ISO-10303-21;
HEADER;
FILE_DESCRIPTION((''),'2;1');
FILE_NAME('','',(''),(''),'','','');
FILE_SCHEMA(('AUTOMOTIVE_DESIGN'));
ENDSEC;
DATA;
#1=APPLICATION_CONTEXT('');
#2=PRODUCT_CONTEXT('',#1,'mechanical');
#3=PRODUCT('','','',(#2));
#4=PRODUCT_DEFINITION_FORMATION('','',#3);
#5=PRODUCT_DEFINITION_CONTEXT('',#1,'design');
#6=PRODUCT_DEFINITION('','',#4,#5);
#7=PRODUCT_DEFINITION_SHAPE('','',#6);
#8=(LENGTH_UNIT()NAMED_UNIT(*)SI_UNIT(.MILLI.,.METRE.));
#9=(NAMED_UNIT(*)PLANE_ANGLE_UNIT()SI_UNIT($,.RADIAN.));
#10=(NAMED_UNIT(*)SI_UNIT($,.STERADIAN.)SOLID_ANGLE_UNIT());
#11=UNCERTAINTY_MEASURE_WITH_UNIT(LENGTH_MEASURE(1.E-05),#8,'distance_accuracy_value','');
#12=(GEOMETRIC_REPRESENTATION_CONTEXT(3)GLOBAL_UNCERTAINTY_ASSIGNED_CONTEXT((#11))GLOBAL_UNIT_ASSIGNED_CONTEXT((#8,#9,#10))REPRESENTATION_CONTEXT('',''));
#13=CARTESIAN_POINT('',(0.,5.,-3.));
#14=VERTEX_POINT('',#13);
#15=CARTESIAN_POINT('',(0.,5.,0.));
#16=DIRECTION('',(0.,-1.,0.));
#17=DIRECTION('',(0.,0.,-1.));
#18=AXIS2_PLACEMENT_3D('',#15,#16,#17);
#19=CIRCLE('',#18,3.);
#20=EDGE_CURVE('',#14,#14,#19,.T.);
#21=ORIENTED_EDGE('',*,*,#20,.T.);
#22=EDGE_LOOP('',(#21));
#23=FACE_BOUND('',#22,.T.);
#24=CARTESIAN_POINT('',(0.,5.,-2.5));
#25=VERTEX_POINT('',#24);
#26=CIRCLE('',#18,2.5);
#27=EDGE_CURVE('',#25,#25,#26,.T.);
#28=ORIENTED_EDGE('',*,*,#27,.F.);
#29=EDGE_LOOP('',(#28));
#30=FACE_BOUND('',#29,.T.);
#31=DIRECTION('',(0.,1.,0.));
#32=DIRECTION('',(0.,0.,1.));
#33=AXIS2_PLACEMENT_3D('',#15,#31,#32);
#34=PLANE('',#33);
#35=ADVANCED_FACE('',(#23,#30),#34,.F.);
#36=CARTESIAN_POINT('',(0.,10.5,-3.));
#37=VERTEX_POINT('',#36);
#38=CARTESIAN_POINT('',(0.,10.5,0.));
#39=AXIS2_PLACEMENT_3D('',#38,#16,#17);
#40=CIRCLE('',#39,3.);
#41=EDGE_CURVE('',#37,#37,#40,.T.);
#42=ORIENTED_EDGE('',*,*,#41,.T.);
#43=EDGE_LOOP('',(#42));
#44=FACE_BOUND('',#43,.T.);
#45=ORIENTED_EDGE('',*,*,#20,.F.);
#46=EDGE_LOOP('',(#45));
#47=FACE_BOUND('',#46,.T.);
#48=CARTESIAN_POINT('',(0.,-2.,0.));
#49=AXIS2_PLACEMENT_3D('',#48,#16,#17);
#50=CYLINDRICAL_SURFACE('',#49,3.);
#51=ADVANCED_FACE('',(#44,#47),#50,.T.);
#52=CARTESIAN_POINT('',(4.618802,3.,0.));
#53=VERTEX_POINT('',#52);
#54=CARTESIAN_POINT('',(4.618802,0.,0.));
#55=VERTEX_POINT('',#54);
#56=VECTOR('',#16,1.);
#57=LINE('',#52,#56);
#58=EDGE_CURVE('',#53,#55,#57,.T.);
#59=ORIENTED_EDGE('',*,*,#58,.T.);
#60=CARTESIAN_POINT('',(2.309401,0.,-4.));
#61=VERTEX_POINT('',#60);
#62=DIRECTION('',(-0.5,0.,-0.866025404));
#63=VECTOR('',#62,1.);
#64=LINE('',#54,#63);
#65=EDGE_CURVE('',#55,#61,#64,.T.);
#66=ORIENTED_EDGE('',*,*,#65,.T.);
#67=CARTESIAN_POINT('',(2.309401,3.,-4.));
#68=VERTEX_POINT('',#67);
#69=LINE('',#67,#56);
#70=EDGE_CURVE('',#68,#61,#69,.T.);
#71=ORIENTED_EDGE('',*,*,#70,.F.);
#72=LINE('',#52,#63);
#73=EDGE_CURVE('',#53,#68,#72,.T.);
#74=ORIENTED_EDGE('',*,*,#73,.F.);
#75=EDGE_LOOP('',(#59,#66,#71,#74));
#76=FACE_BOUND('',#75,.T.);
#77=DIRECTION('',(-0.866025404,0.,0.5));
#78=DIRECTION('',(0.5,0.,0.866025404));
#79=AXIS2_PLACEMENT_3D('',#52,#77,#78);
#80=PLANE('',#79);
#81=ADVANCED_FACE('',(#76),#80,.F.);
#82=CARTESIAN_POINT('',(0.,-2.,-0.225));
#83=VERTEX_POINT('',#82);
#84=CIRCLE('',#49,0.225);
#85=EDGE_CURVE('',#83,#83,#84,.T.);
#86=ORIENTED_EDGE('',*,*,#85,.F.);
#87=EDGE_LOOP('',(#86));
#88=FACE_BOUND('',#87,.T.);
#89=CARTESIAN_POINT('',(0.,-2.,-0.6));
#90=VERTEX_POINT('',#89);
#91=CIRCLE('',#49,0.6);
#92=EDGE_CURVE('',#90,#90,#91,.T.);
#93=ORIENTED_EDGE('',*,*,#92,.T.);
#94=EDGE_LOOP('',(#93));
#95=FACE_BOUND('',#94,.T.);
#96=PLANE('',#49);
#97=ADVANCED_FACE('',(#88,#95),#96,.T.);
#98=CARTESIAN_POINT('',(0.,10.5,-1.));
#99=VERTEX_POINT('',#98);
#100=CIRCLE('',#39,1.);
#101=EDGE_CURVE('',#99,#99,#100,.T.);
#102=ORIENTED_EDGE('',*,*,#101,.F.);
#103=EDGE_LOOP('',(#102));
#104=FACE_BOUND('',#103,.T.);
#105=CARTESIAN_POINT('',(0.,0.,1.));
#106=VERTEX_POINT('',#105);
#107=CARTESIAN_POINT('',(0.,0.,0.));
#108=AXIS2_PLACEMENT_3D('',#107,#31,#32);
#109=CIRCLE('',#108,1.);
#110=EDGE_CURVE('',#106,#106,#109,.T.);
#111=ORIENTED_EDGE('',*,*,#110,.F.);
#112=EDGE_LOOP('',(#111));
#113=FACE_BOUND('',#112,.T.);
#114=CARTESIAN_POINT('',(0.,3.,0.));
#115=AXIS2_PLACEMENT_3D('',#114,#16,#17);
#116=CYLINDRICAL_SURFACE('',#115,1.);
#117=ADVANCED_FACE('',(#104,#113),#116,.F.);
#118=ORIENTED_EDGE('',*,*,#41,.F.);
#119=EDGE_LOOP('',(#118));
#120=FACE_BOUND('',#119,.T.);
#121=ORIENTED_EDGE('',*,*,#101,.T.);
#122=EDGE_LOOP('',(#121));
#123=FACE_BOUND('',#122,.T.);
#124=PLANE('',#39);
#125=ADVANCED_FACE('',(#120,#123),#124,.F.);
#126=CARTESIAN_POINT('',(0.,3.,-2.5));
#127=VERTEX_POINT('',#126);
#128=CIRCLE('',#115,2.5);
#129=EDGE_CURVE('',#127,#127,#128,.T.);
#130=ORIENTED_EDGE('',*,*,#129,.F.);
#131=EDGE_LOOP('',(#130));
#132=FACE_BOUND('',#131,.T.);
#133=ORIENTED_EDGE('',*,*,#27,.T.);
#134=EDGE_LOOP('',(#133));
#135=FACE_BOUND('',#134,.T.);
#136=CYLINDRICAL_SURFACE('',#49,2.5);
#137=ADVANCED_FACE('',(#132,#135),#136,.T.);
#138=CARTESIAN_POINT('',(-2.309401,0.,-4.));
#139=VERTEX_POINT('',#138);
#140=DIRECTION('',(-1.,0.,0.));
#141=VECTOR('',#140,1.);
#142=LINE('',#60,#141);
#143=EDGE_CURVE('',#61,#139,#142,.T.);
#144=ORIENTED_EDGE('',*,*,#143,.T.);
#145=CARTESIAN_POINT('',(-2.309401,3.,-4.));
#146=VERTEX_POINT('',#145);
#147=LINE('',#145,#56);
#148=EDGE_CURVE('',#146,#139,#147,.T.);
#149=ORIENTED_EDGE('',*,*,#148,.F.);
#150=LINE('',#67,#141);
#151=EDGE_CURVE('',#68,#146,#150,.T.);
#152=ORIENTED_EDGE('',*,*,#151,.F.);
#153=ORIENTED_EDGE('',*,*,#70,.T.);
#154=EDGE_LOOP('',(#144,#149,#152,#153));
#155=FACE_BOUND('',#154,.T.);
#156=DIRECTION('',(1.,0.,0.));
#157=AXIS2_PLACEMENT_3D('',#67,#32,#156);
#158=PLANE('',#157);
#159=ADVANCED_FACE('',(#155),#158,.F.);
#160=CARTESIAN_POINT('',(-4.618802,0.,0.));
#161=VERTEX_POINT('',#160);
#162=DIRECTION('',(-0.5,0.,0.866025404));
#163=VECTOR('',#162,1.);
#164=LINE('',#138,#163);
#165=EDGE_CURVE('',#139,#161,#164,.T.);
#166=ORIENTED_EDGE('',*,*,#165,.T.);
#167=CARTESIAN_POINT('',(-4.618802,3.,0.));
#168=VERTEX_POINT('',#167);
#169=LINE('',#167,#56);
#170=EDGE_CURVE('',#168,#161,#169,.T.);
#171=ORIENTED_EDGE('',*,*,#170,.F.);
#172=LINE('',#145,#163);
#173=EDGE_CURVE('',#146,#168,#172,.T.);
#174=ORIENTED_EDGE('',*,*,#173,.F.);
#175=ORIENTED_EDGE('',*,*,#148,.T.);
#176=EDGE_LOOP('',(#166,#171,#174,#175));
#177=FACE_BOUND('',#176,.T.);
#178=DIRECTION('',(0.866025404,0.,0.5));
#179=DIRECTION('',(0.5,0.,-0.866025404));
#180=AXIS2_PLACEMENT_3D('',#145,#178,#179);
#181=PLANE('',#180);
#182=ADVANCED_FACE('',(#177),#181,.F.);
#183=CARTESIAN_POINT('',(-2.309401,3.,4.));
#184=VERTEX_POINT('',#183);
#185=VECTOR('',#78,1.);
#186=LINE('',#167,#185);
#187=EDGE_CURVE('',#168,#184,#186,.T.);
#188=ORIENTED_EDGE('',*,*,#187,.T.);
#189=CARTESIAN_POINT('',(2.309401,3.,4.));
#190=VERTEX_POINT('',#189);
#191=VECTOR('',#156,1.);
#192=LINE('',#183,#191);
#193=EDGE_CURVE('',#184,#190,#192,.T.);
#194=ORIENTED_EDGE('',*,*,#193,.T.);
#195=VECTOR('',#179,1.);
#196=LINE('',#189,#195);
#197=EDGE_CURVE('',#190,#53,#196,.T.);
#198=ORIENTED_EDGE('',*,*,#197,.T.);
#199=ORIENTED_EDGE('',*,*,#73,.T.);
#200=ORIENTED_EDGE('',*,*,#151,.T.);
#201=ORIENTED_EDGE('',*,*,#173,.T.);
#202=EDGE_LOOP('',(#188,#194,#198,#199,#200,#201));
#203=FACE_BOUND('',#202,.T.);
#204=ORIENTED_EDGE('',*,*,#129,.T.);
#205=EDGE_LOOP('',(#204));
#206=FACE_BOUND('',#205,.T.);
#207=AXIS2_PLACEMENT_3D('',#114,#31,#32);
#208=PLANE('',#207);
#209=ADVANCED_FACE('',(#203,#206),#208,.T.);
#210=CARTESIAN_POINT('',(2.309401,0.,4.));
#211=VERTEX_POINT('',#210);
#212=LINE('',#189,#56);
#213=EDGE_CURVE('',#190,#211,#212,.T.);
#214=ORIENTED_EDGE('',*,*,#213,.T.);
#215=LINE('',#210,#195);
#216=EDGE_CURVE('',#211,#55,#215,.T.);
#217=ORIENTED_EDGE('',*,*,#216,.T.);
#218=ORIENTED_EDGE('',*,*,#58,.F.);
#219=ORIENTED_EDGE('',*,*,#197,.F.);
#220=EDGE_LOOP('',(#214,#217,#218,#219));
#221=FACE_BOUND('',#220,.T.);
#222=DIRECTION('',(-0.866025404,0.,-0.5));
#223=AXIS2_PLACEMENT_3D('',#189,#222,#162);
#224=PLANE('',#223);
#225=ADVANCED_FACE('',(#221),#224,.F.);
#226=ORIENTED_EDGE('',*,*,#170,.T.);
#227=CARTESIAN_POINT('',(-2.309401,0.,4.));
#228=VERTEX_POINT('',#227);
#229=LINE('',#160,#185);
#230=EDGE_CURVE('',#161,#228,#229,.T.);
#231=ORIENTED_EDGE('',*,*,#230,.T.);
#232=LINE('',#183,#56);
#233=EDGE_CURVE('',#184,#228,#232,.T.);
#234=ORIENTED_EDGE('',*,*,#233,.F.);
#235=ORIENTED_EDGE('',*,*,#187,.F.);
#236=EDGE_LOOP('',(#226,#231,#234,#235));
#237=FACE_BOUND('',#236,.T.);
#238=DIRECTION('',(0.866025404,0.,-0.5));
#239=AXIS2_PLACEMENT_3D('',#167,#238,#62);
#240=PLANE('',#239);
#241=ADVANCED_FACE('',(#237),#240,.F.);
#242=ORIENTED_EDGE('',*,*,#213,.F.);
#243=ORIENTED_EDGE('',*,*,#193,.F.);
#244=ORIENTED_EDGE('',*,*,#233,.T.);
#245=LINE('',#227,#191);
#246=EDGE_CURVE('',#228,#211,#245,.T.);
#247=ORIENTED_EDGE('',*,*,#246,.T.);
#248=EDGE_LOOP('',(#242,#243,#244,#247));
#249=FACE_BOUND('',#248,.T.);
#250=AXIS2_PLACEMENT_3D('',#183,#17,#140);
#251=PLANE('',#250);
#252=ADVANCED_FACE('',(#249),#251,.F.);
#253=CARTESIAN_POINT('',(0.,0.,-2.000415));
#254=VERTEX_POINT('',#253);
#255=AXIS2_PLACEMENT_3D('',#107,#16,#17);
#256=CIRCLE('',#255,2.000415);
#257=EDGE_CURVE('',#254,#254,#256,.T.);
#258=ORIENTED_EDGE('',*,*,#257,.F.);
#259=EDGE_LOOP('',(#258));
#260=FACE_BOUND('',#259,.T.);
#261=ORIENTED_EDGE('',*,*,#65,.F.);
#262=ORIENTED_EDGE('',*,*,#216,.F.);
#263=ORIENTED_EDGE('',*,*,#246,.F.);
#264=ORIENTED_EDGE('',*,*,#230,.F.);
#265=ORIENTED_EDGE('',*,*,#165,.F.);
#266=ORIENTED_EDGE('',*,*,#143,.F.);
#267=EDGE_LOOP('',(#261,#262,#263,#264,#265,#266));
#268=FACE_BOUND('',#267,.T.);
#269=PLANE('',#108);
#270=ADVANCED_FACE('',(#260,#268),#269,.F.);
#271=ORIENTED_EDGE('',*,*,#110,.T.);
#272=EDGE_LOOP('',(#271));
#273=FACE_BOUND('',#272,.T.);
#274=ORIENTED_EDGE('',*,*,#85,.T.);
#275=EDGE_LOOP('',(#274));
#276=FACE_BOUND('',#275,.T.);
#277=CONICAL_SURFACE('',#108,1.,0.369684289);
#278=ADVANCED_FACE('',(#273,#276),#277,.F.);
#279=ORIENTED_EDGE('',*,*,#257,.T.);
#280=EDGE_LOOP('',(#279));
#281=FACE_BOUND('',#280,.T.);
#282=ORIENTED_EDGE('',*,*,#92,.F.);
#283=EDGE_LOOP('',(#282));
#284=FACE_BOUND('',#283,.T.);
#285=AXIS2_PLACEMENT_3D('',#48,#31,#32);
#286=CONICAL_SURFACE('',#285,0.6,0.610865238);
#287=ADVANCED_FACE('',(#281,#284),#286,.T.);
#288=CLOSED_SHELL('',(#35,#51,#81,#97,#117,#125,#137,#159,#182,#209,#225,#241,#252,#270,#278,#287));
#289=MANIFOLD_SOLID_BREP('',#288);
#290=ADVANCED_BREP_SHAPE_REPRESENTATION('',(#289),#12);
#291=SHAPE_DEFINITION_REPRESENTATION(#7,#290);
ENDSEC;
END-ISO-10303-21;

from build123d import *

# Parameters (mm, degrees)
SKETCH1_R           = 1
BOSS_EXTRUDE1_DEPTH = 3


with BuildPart() as part:
    # Sketch1 → Boss-Extrude1 (new body)
    with BuildSketch(Plane(origin=(0, 0, 0), x_dir=(1, 0, 0), z_dir=(0, 1, 0))):
        Polygon((2.309401077, 4), (-2.309401077, 4), (-4.618802154, 0), (-2.309401077, -4), (2.309401077, -4), (4.618802154, 0), align=None)
        Circle(SKETCH1_R, mode=Mode.SUBTRACT)
    extrude(amount=BOSS_EXTRUDE1_DEPTH)

    # Sketch2 → Revolve1 (revolve)
    with BuildSketch(Plane.XY):
        Polygon((2.5, 3), (1, 3), (1, 10.5), (3, 10.5), (3, 5), (2.5, 5), align=None)
        Polygon((1, 0), (2.000415076, 0), (0.6, -2), (0.225, -2), align=None)
    revolve(axis=Axis((0, -2, 0), (0, 1, 0)))


solid = part.part
